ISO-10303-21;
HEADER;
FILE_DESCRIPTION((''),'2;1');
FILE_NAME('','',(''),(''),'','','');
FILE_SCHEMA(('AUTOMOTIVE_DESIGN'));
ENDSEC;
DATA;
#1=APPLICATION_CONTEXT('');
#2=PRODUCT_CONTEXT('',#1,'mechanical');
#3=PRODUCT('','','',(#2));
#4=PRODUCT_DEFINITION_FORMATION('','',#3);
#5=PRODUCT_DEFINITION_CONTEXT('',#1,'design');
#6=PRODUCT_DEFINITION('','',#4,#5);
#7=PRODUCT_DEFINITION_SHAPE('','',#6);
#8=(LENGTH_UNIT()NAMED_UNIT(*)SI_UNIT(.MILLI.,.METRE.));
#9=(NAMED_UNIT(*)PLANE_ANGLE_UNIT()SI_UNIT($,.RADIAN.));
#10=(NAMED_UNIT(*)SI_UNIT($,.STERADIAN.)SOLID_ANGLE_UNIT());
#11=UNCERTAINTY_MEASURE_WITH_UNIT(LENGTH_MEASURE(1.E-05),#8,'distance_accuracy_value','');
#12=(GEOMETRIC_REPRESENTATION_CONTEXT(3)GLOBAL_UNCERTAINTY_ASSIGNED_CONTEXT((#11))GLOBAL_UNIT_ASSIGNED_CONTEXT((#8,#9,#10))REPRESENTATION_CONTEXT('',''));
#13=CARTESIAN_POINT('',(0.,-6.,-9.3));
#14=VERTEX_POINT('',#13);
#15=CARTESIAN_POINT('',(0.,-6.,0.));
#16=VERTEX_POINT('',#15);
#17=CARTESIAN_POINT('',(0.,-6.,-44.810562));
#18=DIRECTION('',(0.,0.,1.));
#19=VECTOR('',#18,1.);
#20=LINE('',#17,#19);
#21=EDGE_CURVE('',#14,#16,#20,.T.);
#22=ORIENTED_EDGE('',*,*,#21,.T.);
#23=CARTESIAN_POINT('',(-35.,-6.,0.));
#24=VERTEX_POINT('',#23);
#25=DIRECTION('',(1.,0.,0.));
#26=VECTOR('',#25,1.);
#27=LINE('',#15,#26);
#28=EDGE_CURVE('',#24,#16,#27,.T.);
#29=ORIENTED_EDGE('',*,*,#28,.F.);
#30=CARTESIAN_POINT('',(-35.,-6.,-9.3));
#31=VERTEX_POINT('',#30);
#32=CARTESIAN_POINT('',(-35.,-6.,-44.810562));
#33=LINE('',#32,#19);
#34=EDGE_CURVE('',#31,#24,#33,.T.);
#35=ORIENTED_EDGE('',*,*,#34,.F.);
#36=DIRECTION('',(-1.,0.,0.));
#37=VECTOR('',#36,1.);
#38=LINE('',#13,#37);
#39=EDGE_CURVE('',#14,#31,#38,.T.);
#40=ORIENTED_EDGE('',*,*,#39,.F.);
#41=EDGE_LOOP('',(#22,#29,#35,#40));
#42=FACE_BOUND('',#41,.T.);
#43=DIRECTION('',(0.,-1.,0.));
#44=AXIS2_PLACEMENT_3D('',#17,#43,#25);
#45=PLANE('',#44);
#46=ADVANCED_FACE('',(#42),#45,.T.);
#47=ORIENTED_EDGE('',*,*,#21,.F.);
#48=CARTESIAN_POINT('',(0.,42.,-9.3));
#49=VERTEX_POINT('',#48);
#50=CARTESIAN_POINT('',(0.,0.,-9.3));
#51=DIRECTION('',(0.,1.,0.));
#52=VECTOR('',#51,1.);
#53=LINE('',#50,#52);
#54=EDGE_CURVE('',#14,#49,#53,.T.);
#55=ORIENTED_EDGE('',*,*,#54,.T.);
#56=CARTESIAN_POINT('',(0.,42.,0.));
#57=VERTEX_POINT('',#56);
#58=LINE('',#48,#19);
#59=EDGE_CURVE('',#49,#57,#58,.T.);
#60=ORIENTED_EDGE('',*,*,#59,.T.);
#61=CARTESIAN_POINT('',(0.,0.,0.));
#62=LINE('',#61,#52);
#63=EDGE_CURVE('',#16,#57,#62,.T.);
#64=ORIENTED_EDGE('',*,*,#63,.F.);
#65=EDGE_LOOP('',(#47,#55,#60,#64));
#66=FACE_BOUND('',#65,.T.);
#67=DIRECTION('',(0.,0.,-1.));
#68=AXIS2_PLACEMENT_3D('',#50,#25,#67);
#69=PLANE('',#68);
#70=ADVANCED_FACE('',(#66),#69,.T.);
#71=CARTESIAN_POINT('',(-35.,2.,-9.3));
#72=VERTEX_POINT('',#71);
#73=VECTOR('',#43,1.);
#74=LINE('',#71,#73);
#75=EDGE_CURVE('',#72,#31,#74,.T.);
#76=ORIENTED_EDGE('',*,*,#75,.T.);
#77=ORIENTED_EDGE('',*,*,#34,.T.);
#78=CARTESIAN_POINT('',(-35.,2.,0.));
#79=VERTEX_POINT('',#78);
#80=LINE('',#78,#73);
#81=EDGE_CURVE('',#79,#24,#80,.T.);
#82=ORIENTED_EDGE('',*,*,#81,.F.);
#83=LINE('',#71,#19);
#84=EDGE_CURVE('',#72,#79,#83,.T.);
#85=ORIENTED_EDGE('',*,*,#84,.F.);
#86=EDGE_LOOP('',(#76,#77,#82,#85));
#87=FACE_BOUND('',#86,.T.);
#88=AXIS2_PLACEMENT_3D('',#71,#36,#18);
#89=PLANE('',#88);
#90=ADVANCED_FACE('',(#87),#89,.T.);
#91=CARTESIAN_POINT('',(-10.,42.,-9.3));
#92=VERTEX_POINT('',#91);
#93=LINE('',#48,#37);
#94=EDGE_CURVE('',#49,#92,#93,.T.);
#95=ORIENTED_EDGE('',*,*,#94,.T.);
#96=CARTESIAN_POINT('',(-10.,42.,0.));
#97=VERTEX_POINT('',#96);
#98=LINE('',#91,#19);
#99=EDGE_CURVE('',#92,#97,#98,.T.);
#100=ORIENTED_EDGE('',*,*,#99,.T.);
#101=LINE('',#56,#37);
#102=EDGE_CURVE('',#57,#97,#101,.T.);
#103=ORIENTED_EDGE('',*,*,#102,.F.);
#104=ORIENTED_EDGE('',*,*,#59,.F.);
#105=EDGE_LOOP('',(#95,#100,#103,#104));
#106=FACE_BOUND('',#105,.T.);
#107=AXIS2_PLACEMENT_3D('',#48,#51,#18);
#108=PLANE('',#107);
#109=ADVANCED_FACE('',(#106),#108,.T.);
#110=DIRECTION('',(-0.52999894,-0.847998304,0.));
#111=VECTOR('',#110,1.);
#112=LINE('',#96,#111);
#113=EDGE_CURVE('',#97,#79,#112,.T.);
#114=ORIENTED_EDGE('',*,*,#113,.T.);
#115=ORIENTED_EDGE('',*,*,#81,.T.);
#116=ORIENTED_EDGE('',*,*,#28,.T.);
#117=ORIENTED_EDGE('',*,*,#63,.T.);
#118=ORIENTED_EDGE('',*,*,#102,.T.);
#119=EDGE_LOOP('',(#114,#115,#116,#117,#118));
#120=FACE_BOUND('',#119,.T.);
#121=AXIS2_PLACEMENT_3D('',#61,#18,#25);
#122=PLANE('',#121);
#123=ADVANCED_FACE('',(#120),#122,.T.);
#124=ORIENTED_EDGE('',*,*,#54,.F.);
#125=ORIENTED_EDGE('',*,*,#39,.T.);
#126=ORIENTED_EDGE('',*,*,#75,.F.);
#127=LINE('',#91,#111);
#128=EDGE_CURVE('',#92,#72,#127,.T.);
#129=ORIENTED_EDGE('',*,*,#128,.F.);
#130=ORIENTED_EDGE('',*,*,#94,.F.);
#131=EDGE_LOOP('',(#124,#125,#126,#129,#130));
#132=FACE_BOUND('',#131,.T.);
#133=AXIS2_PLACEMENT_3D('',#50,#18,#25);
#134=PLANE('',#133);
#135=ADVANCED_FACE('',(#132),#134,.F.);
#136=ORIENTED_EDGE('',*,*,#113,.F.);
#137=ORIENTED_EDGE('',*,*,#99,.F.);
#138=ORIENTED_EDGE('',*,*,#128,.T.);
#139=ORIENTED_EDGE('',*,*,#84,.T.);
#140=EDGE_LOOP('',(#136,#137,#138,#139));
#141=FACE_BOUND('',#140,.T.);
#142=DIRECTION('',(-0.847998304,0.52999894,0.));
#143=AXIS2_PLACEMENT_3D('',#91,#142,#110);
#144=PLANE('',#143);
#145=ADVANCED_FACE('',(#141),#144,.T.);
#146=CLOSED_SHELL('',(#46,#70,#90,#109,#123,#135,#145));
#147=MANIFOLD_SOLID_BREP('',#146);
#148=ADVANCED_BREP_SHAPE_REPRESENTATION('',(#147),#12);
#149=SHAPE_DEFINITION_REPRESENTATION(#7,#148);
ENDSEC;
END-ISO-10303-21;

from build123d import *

# Parameters (mm, degrees)
BOSS_EXTRUDE1_DEPTH = 9.3
SKETCH2_W           = 35
SKETCH2_H           = 6
BOSS_EXTRUDE2_DEPTH = 9.3


with BuildPart() as part:
    # Sketch1 → Boss-Extrude1 (new body)
    with BuildSketch(Plane.XY):
        Polygon((0, 0), (0, 42), (-10, 42), (-35, 2), (-35, 0), align=None)
    extrude(amount=-BOSS_EXTRUDE1_DEPTH)

    # Sketch2 → Boss-Extrude2 (add)
    with BuildSketch(Plane.XY):
        with Locations((-17.5, -3)):
            Rectangle(SKETCH2_W, SKETCH2_H)
    extrude(amount=-BOSS_EXTRUDE2_DEPTH)


solid = part.part
